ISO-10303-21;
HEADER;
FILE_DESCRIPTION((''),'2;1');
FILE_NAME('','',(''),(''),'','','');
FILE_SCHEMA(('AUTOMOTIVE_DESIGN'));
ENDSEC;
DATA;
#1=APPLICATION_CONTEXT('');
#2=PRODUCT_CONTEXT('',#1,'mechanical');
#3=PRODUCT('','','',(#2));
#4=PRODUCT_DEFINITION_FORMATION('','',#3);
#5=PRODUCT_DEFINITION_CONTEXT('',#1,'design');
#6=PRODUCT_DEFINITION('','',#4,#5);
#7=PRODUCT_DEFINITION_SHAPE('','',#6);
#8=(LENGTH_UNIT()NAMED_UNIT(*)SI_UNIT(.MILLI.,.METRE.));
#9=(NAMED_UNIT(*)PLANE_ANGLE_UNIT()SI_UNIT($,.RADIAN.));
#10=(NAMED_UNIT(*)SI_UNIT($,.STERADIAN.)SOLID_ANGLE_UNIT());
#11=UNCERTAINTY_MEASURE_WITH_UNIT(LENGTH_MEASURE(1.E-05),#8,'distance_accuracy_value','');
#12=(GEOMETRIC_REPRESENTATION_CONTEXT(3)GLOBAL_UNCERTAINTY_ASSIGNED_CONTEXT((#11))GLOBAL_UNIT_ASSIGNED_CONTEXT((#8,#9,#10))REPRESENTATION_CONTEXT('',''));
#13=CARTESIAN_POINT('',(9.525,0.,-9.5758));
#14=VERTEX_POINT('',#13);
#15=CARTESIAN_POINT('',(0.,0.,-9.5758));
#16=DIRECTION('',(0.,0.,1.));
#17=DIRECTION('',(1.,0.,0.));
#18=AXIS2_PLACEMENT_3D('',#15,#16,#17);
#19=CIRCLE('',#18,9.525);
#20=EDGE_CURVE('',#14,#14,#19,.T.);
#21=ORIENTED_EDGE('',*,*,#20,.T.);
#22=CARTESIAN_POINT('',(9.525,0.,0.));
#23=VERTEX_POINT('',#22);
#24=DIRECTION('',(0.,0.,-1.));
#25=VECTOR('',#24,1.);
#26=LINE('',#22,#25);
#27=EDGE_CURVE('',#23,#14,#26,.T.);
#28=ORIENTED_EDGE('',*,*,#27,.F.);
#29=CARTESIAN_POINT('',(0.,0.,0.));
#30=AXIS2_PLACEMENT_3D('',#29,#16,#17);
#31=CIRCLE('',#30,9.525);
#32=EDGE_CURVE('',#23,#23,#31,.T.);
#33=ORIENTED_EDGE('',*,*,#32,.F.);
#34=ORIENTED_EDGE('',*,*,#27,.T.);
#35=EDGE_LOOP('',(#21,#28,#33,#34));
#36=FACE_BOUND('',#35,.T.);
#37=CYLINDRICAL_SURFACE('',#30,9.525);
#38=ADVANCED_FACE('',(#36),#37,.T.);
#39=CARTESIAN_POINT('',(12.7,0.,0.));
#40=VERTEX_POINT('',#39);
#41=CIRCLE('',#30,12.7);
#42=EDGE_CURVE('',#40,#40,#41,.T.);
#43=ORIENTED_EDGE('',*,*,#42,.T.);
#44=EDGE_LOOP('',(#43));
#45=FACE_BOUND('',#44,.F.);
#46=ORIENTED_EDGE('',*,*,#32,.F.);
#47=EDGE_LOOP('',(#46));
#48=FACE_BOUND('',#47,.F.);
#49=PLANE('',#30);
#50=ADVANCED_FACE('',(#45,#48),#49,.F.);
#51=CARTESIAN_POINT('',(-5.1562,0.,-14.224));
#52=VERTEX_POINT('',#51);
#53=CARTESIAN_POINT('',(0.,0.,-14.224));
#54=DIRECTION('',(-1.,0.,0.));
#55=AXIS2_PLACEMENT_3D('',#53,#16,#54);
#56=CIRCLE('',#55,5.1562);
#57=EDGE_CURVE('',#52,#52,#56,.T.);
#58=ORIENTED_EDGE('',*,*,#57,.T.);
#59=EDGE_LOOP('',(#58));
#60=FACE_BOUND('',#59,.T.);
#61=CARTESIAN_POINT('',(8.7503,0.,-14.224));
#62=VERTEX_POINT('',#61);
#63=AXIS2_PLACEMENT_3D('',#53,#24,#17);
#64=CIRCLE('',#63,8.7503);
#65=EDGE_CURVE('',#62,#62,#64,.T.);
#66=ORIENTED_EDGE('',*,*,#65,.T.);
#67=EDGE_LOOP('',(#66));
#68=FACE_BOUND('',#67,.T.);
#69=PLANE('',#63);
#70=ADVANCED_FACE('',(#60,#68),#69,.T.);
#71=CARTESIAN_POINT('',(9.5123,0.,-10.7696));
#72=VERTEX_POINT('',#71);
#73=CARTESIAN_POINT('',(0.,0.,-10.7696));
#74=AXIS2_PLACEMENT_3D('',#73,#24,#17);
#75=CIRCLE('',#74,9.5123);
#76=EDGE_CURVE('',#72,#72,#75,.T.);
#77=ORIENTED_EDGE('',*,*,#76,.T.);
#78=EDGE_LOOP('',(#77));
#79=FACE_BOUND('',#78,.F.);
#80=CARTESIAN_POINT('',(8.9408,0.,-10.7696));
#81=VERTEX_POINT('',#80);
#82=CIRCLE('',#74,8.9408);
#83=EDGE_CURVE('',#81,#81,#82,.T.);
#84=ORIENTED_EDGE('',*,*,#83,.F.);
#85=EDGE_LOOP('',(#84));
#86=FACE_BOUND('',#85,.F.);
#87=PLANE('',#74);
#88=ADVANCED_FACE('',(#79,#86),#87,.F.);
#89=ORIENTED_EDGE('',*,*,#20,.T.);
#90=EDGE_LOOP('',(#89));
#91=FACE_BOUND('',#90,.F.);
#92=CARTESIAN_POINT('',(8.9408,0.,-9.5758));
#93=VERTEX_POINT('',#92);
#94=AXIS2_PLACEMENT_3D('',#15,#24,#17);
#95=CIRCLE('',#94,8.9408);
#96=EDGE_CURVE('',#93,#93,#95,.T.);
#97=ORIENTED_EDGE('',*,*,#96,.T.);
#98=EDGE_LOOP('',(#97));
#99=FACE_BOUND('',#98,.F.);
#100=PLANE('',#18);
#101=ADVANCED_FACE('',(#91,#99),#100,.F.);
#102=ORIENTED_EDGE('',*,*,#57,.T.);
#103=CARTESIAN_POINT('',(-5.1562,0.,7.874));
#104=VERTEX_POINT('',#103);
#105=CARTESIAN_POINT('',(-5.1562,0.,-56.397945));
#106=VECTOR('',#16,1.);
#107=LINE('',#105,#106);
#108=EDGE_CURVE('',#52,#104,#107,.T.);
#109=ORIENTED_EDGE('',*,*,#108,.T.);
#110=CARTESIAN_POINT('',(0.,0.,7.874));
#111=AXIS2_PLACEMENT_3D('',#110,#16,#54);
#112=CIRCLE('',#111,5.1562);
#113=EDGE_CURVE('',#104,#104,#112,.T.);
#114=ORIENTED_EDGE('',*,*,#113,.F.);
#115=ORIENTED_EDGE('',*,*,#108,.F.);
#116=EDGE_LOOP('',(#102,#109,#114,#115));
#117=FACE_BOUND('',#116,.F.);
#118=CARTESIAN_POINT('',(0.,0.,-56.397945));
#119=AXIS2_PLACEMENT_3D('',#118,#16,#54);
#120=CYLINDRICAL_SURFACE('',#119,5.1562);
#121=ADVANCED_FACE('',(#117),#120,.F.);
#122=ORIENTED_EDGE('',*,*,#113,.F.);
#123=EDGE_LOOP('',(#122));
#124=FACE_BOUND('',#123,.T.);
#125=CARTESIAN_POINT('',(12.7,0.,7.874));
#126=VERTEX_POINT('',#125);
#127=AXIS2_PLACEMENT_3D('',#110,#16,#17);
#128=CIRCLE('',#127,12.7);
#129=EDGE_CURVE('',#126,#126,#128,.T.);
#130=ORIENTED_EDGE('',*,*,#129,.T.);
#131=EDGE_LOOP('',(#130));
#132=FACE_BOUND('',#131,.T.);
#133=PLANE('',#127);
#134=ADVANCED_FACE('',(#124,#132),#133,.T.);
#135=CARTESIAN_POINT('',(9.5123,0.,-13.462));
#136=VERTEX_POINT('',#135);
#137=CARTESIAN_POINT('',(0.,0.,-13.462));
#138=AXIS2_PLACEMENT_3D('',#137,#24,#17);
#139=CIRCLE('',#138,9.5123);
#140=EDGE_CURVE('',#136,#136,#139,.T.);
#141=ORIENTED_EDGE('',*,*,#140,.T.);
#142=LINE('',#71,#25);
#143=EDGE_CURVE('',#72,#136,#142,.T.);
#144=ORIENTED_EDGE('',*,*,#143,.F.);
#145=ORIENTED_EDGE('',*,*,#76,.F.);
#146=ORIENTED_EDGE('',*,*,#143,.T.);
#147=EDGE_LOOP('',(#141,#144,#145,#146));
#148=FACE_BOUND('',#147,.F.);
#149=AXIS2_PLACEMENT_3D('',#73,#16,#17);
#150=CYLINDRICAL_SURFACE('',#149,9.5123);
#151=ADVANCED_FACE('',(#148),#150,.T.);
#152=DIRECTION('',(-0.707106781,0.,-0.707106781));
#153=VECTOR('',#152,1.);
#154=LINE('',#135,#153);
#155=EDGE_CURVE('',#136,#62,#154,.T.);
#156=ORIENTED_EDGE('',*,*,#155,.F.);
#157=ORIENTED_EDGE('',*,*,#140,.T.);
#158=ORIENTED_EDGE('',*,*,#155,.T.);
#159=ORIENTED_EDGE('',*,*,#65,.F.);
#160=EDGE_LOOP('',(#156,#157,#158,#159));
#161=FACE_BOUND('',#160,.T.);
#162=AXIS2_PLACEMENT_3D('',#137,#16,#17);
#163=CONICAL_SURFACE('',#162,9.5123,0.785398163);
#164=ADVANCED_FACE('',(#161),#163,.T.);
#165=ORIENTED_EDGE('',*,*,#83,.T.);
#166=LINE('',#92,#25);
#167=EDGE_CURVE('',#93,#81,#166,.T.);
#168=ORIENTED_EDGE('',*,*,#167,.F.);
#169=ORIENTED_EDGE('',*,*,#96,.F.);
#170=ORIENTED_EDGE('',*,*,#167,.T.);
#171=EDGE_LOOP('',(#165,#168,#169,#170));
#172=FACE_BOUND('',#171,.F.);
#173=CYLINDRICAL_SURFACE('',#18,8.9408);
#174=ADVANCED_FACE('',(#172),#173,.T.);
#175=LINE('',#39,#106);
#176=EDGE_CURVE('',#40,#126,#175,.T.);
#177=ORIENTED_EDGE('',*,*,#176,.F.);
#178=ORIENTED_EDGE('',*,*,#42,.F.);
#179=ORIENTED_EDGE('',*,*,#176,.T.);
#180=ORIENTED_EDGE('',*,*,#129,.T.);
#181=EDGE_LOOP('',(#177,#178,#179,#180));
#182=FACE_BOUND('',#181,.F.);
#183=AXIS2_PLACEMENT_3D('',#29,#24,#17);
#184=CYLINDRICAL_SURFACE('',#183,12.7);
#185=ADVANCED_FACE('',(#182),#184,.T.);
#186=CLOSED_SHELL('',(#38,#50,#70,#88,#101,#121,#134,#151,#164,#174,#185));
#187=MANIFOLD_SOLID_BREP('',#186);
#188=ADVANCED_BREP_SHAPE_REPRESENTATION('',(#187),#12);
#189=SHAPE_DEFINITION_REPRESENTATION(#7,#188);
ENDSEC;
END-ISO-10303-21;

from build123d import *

# Parameters (mm, degrees)
F0_R     = 12.7
F1_DEPTH = 7.874
F2_R     = 9.525
F3_DEPTH = 9.5758
F4_R     = 8.9408
F5_DEPTH = 1.1938
F6_R     = 9.5123
F7_DEPTH = 3.4544
F8_SIZE  = 0.762
F10_D    = 10.3124


with BuildPart() as f1:
    # F0 (on Top) → F1 (new body)
    with BuildSketch(Plane.XY):
        Circle(F0_R)
    extrude(amount=F1_DEPTH)

    # F2 (on Top) → F3 (join)
    with BuildSketch(Plane.XY):
        Circle(F2_R)
    extrude(amount=-F3_DEPTH)

    # F4 (on face) → F5 (join)
    with BuildSketch(Plane(origin=(0, 0, -9.5758), x_dir=(1, 0, 0), z_dir=(0, 0, -1))):
        Circle(F4_R)
    extrude(amount=F5_DEPTH)

    # F6 (on face) → F7 (join)
    with BuildSketch(Plane(origin=(0, 0, -10.7696), x_dir=(1, 0, 0), z_dir=(0, 0, -1))):
        Circle(F6_R)
    extrude(amount=F7_DEPTH)

    # F8
    f8_edges = [f1.edges().sort_by_distance(p)[0] for p in [
        (-9.5123, 0, -14.224),
    ]]
    chamfer(f8_edges, length=F8_SIZE)

    # F10 (through all)
    with Locations(Plane(origin=(0, 0, -14.224), x_dir=(1, 0, 0), z_dir=(0, 0, -1))):
        with Locations((0, 0)):
            Hole(F10_D / 2)


solid = f1.part
